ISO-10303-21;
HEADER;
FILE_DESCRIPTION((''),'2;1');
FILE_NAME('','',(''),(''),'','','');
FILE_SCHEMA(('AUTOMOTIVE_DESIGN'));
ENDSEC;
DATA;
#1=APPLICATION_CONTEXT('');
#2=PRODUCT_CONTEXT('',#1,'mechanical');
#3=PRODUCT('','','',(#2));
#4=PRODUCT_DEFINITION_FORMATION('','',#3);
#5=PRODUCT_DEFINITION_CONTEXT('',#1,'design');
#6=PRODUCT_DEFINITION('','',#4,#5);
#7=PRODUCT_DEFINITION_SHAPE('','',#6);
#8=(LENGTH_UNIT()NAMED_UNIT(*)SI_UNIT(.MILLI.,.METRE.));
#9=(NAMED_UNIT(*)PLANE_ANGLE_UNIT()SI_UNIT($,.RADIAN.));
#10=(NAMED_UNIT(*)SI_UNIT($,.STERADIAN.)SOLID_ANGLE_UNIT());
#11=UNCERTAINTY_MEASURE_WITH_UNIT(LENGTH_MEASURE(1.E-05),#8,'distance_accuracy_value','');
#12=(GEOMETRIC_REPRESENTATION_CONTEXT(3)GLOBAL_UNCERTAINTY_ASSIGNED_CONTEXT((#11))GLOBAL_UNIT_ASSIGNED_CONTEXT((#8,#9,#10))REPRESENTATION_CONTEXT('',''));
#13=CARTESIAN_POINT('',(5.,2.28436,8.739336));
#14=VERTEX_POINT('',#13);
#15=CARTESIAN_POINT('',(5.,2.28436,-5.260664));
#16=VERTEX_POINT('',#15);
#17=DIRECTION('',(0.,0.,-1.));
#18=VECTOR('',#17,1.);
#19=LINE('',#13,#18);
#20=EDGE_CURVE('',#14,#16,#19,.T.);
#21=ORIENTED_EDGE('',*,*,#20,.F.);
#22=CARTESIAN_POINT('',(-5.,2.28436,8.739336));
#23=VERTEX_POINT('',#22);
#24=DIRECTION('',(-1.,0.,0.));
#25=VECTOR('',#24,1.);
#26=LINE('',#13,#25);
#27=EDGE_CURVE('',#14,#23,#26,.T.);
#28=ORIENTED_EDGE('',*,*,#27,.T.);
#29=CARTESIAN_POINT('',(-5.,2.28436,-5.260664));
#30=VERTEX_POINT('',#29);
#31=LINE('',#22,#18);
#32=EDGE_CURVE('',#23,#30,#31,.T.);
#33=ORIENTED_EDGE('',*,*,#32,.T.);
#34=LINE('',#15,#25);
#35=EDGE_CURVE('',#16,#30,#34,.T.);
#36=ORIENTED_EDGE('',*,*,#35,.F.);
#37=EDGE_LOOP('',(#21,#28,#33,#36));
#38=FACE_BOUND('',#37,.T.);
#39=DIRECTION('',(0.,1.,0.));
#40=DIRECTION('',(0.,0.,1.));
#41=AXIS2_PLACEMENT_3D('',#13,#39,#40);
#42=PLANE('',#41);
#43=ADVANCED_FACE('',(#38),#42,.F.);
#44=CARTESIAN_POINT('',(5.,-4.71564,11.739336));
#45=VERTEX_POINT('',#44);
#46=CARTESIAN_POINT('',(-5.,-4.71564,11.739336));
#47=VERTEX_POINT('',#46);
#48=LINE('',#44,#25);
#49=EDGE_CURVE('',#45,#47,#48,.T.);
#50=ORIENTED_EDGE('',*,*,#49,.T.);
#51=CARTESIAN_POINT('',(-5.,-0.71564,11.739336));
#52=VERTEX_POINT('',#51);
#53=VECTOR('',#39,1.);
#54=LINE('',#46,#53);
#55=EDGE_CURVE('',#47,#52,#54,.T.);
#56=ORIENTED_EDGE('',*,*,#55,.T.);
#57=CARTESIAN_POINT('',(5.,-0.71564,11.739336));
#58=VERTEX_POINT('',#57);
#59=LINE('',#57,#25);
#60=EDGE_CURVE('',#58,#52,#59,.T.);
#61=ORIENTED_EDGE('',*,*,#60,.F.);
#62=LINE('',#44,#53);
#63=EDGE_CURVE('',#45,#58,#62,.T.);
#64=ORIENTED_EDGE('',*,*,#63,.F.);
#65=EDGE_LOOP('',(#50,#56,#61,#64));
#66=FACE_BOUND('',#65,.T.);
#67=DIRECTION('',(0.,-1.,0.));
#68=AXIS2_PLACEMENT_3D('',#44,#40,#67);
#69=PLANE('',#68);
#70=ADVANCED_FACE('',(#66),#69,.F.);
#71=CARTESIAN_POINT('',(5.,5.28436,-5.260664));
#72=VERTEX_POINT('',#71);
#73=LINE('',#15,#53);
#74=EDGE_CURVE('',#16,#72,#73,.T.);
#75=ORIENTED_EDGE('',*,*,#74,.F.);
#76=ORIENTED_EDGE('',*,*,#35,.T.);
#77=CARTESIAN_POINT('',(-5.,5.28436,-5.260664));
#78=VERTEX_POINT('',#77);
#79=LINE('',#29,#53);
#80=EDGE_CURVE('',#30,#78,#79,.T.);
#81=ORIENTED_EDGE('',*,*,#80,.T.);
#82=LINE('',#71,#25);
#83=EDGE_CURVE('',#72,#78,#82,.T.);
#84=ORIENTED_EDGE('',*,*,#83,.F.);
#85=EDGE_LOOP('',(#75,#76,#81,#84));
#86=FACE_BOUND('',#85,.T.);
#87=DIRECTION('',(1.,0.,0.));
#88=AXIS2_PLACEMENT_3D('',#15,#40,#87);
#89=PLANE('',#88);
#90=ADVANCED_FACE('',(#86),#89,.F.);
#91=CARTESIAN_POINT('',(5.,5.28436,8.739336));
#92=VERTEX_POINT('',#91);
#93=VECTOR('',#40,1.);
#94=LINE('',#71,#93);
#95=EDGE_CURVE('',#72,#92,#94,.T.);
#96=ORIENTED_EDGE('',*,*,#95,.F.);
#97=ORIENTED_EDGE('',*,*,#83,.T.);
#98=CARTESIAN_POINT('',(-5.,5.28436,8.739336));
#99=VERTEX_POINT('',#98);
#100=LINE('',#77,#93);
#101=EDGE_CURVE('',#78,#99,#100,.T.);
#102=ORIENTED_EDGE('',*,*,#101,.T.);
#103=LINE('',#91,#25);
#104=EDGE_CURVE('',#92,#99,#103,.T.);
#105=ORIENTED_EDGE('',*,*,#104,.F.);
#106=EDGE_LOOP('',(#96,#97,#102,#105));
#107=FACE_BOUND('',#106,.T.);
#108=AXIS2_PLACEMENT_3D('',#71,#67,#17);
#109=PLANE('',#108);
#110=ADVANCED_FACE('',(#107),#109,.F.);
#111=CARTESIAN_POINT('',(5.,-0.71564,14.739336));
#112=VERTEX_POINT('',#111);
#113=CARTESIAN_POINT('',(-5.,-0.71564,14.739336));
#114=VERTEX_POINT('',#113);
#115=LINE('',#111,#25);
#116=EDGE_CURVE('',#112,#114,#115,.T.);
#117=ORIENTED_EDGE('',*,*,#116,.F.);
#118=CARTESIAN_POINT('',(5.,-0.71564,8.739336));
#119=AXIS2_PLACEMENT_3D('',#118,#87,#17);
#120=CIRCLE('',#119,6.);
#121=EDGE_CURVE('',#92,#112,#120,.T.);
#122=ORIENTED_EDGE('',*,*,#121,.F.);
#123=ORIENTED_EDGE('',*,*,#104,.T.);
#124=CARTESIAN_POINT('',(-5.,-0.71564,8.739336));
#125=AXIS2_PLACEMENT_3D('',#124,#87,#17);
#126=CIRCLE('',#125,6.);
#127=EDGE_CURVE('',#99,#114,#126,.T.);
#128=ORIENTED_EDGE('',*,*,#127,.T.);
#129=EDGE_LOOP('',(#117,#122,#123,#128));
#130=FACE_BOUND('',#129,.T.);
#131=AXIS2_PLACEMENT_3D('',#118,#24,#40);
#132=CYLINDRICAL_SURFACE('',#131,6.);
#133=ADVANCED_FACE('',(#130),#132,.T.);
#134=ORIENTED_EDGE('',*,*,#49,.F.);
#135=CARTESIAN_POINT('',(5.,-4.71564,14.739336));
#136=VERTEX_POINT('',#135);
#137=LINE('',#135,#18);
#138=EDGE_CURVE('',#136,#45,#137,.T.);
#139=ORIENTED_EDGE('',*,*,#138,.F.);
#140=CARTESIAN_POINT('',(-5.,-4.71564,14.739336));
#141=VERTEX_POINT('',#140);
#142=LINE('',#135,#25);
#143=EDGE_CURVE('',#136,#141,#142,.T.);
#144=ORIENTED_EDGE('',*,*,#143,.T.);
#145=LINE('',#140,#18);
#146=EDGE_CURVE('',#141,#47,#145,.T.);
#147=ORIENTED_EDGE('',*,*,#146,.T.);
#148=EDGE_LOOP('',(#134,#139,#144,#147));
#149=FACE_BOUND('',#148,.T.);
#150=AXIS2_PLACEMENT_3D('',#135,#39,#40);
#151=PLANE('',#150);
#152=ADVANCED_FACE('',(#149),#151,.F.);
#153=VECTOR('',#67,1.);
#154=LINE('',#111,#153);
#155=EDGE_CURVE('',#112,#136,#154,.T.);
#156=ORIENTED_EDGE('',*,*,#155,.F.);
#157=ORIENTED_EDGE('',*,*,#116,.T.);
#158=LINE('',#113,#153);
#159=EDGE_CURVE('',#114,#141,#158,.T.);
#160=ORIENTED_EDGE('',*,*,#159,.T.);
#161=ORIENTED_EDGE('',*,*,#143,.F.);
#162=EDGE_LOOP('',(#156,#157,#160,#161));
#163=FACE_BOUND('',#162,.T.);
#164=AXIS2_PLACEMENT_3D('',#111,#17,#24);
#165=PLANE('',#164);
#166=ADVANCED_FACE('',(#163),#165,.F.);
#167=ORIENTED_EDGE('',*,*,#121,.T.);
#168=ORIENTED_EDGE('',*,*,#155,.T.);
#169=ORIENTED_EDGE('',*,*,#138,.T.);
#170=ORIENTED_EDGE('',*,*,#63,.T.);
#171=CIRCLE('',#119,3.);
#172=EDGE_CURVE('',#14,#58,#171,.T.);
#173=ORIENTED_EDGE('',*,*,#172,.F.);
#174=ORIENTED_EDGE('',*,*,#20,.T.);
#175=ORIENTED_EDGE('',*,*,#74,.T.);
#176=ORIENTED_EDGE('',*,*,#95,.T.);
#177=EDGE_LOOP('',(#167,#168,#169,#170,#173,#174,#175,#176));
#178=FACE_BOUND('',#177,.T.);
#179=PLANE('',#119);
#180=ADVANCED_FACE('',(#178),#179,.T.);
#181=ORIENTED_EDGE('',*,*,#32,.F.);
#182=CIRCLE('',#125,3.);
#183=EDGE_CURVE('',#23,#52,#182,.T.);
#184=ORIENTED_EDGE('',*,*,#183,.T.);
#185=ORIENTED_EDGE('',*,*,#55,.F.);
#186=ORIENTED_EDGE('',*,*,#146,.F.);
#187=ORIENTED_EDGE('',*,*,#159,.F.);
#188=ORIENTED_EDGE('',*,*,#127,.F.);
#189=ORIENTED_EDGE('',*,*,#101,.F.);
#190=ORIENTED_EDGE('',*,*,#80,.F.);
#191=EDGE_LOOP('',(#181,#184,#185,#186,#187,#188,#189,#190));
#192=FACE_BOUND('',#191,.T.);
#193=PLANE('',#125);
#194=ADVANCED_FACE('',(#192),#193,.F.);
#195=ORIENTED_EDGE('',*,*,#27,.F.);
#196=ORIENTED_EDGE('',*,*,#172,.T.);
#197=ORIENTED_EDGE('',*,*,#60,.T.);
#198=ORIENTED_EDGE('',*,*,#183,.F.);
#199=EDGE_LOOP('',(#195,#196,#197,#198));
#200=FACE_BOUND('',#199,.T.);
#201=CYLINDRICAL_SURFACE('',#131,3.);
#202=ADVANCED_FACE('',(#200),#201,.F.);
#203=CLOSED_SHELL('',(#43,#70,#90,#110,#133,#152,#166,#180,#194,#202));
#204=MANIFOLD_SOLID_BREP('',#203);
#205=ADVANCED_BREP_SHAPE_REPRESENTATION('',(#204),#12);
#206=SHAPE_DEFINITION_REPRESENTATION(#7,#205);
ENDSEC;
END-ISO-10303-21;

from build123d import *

# Parameters (mm, degrees)
EXTRUDE_1_DEPTH = 5


with BuildPart() as part:
    # 草圖2 → 填料-伸長1 (new, symmetric)
    with BuildSketch(Plane(origin=(0, 0, 0), x_dir=(0, 0, -1), z_dir=(1, 0, 0))):
        with BuildLine():
            Line((5.260663507, 5.28436019), (-8.739336493, 5.28436019))
            ThreePointArc((-8.739336493, 5.28436019), (-12.98197718, 3.527000877), (-14.739336493, -0.71563981))
            Line((-14.739336493, -0.71563981), (-14.739336493, -4.71563981))
            Line((-14.739336493, -4.71563981), (-11.739336493, -4.71563981))
            Line((-11.739336493, -4.71563981), (-11.739336493, -0.71563981))
            ThreePointArc((-11.739336493, -0.71563981), (-10.860656836, 1.405680533), (-8.739336493, 2.28436019))
            Line((-8.739336493, 2.28436019), (5.260663507, 2.28436019))
            Line((5.260663507, 2.28436019), (5.260663507, 5.28436019))
        make_face()
    extrude(amount=EXTRUDE_1_DEPTH, both=True)


solid = part.part
